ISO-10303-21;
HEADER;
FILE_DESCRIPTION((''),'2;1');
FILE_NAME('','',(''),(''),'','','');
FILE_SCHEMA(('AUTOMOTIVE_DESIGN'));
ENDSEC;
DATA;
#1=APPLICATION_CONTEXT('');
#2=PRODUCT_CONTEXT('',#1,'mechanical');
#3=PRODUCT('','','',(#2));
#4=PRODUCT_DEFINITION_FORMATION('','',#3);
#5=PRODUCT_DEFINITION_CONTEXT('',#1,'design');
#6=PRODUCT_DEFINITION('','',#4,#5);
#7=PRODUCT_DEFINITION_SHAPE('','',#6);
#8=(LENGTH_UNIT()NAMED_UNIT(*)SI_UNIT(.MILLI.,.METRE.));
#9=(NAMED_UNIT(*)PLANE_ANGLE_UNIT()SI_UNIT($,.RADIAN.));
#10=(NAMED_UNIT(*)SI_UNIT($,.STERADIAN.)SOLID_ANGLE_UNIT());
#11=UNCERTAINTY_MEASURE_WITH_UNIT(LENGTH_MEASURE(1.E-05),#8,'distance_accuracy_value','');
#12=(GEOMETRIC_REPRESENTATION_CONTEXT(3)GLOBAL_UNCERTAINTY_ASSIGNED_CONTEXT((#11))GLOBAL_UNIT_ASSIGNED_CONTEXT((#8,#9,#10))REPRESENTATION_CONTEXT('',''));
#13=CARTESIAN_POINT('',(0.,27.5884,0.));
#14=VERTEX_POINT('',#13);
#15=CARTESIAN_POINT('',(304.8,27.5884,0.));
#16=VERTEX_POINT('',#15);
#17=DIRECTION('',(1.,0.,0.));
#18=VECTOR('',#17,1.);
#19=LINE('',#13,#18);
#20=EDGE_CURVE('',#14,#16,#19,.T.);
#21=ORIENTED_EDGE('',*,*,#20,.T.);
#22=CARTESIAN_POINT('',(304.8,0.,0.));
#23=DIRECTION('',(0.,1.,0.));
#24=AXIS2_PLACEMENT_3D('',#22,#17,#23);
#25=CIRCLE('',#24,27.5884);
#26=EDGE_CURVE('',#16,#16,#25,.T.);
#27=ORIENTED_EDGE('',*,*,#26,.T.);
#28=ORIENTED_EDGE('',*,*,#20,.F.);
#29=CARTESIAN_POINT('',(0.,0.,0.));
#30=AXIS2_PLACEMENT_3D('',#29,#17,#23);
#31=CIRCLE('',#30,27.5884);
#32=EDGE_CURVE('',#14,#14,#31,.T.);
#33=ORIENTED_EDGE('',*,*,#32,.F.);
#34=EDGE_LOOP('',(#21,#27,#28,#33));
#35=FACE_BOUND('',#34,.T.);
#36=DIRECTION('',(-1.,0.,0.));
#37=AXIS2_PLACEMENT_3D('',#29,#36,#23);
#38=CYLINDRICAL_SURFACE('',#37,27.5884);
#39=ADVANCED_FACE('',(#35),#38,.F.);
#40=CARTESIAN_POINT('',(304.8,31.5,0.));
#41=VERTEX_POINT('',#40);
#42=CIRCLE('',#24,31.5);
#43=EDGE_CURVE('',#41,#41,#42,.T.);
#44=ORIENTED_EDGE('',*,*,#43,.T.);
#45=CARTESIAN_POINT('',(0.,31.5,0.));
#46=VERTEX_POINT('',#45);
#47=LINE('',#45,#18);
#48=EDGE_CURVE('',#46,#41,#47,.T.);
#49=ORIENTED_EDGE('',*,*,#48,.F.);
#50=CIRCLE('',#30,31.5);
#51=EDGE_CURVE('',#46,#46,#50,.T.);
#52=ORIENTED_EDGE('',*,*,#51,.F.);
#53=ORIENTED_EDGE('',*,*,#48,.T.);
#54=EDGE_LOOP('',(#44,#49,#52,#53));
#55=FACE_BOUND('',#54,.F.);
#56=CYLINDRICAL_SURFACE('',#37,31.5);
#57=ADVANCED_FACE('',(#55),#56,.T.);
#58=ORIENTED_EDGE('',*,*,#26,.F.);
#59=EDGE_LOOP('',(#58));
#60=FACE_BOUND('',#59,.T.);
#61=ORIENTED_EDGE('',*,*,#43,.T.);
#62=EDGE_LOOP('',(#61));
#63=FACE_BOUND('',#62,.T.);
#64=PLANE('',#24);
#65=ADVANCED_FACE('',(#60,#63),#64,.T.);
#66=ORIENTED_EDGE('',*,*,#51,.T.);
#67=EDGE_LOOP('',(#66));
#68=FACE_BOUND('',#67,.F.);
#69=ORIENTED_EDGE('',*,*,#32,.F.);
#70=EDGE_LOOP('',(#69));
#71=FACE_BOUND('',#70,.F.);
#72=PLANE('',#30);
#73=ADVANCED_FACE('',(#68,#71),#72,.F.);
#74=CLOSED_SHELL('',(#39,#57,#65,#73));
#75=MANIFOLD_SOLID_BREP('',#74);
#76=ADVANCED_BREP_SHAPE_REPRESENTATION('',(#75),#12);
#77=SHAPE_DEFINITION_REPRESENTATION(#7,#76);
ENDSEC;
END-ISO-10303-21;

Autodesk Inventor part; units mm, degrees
ref_plane "YZ Plane" through (0, 0, 0) normal (1, 0, 0) x (0, 1, 0)
ref_plane "XZ Plane" through (0, 0, 0) normal (0, 1, 0) x (-1, 0, 0)
ref_plane "XY Plane" through (0, 0, 0) normal (0, 0, 1) x (1, 0, 0)
sketch "Sketch3" plane through (0, 0, 0) normal (1, 0, 0) x (0, 1, 0)
  circle A0 centre (0, 0) radius 31.5
  circle A1 centre (0, 0) radius 27.5884
  dimension "d4" = 63
  dimension "d5" = 3.9116
extrude "Extrusion2" add sketch "Sketch3" along normal blind 304.8
properties part number "2h2cond" material "PVC-Piping"
